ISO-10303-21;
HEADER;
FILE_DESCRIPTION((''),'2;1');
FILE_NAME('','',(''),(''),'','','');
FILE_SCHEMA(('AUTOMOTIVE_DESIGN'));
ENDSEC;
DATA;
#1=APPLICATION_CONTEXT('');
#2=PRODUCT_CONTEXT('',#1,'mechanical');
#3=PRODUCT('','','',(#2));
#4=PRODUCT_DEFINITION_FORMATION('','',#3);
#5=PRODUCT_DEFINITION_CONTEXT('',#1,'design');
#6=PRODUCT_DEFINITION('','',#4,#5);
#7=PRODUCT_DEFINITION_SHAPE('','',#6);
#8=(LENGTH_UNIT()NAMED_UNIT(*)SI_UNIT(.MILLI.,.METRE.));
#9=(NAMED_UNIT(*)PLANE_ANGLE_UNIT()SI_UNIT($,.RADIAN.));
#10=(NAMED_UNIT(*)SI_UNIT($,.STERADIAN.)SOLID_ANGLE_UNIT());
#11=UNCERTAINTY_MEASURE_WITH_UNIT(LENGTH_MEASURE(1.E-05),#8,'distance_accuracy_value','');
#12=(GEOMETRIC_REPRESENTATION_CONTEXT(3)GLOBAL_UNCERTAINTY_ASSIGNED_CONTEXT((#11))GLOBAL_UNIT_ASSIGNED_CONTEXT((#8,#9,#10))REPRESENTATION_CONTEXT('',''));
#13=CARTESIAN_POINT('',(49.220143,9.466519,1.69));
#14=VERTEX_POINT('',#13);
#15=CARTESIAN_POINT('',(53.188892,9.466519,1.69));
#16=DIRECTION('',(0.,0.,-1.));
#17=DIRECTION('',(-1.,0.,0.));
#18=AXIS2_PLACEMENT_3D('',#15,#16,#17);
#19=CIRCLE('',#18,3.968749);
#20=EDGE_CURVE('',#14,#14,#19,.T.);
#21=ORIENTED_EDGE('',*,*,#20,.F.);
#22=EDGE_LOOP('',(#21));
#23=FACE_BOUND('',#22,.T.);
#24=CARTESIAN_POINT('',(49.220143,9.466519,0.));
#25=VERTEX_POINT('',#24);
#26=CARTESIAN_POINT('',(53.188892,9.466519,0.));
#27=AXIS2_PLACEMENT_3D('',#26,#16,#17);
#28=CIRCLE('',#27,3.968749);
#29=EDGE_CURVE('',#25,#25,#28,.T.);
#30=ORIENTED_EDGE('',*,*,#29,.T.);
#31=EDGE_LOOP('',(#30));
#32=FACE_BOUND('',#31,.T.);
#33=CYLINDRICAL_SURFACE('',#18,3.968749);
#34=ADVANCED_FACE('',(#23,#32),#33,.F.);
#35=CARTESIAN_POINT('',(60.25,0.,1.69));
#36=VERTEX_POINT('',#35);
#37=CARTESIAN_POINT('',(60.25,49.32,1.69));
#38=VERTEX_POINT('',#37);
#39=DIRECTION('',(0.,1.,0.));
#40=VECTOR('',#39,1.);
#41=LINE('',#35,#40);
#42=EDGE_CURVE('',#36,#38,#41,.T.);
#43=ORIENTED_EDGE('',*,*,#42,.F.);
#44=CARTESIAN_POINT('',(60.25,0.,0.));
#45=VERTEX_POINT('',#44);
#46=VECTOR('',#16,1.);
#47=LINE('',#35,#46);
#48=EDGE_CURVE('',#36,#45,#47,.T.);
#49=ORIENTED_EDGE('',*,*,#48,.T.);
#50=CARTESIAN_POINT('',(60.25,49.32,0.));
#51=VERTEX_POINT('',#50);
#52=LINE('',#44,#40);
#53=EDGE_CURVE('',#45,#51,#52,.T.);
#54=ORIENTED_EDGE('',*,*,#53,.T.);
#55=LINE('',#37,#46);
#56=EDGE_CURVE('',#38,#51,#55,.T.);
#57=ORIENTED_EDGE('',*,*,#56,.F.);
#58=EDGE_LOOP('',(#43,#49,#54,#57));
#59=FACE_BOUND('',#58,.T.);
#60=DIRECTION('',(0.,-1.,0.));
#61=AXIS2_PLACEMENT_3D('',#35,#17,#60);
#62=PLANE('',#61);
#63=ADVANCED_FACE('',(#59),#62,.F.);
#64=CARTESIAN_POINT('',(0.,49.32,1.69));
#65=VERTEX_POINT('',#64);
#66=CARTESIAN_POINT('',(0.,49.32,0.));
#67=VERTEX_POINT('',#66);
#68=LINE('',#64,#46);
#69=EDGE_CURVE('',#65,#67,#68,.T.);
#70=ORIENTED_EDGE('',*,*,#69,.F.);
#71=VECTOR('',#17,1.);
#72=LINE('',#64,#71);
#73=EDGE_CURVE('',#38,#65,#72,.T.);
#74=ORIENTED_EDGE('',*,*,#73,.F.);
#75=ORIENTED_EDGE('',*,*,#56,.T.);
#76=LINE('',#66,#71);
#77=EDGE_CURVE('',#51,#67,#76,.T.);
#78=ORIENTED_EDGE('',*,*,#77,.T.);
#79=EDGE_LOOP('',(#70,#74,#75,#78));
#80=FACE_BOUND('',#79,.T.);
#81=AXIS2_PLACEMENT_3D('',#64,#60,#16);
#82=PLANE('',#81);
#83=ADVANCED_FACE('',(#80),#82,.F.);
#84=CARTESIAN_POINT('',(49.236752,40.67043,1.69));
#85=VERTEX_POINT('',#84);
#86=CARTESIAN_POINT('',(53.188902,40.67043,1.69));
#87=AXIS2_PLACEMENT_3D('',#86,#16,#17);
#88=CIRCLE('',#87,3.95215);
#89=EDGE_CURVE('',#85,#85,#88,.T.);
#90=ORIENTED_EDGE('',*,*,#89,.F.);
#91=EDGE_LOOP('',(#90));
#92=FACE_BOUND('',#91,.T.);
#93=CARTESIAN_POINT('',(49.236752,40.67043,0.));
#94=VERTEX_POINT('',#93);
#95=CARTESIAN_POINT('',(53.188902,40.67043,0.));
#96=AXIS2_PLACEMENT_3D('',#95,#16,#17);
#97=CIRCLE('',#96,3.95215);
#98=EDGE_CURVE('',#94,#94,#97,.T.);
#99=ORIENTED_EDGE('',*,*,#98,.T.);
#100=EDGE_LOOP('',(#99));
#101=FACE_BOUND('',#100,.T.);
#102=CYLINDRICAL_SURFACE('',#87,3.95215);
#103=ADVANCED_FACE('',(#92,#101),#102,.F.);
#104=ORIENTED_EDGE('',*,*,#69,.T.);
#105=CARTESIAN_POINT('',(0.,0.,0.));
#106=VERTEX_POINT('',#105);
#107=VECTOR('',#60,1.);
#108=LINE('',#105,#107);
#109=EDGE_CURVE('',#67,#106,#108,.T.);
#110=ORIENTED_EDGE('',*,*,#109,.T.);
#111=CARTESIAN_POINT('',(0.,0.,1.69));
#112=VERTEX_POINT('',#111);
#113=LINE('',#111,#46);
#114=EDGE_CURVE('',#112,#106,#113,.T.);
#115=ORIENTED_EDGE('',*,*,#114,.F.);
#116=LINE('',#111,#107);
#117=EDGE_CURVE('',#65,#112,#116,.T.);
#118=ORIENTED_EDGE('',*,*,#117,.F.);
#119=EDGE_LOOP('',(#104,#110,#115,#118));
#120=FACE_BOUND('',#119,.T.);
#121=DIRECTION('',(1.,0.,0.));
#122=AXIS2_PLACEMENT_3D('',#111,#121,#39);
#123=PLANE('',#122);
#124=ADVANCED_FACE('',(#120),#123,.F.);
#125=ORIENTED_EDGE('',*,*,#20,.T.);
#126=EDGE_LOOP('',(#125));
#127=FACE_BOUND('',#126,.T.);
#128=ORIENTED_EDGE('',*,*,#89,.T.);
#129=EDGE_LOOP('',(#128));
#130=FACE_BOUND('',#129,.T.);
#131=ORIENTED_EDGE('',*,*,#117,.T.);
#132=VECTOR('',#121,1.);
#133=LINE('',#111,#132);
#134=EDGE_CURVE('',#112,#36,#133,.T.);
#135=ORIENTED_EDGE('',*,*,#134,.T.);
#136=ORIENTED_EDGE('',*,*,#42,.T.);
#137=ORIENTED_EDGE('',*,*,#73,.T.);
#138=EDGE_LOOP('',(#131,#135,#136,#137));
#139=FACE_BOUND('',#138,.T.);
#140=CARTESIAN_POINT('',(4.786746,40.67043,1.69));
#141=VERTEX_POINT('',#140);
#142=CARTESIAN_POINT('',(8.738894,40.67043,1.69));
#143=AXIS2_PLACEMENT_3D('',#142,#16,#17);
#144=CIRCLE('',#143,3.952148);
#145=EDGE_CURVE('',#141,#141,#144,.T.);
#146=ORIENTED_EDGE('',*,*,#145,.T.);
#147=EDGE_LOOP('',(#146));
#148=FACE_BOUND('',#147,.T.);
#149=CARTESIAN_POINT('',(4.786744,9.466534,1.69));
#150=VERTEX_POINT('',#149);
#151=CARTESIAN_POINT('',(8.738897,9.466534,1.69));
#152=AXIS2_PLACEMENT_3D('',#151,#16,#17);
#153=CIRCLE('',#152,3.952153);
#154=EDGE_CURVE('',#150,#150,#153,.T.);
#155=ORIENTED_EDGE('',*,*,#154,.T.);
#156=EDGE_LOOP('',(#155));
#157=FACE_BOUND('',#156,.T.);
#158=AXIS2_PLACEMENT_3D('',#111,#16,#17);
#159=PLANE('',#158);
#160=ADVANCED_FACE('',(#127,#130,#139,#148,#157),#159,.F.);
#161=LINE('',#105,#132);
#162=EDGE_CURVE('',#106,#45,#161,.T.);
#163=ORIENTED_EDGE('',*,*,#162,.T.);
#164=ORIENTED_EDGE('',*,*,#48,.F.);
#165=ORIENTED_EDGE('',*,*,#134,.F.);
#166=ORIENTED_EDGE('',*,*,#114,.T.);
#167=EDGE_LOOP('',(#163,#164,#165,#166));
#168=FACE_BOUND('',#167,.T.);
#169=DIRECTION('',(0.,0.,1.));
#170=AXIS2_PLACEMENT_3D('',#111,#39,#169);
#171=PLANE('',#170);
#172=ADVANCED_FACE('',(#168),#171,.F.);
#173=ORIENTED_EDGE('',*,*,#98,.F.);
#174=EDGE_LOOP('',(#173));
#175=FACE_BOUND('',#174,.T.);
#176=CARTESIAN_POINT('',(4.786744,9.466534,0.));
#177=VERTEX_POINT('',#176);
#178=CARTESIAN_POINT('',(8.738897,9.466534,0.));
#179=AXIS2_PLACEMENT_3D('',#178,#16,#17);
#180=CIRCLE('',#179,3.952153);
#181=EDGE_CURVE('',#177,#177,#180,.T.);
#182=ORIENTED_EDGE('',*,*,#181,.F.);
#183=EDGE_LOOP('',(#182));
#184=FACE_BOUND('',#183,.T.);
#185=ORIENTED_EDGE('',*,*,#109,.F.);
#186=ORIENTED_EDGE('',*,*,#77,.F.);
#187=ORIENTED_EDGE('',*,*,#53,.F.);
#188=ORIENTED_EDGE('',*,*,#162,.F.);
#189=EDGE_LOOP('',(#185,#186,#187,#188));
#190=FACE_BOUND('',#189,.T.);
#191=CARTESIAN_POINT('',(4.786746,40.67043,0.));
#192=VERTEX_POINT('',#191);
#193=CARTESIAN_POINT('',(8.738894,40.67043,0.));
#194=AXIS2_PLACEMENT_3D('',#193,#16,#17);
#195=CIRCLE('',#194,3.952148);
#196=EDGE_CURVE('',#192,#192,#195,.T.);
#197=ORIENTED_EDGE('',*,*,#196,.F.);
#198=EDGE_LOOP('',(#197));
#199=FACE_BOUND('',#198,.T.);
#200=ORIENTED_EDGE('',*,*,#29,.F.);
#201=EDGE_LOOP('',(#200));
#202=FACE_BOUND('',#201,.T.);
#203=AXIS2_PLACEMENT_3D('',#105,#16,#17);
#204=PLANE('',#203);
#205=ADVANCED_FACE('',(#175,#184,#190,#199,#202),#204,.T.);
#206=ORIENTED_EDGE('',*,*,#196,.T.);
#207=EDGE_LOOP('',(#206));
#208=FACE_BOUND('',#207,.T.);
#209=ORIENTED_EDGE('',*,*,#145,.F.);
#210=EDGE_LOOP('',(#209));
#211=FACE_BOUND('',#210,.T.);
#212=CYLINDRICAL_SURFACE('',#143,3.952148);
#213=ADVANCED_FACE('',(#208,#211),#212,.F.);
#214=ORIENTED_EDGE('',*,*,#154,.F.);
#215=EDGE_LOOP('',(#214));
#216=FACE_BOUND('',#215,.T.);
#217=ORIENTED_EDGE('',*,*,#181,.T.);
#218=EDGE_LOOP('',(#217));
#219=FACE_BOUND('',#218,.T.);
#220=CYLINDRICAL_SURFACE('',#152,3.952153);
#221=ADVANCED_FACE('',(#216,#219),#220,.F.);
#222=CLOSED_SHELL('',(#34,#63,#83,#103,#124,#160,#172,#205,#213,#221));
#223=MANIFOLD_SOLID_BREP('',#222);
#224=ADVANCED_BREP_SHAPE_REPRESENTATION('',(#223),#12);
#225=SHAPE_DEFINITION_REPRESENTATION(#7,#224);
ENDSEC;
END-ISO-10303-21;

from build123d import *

# Parameters (mm, degrees)
SKETCH2_W           = 60.25
SKETCH2_H           = 49.32
BOSS_EXTRUDE1_DEPTH = 1.69
SKETCH3_R           = 3.952147655
SKETCH3_R_2         = 3.952150029
SKETCH3_R_3         = 3.968749046
SKETCH3_R_4         = 3.952152839
CUT_EXTRUDE1_DEPTH  = 2.69


with BuildPart() as part:
    # Sketch2 → Boss-Extrude1 (new body)
    with BuildSketch(Plane.XY):
        with Locations((30.125, 24.66)):
            Rectangle(SKETCH2_W, SKETCH2_H)
    extrude(amount=BOSS_EXTRUDE1_DEPTH)

    # Sketch3 → Cut-Extrude1 (cut, through all)
    with BuildSketch(Plane(origin=(0, 0, 0), x_dir=(-1, 0, 0), z_dir=(0, 0, -1))):
        with Locations((-8.738893953, 40.670430147)):
            Circle(SKETCH3_R)
        with Locations((-53.188901724, 40.670430147)):
            Circle(SKETCH3_R_2)
        with Locations((-53.188891655, 9.466519291)):
            Circle(SKETCH3_R_3)
        with Locations((-8.738896778, 9.466533547)):
            Circle(SKETCH3_R_4)
    extrude(amount=-CUT_EXTRUDE1_DEPTH, mode=Mode.SUBTRACT)


solid = part.part
